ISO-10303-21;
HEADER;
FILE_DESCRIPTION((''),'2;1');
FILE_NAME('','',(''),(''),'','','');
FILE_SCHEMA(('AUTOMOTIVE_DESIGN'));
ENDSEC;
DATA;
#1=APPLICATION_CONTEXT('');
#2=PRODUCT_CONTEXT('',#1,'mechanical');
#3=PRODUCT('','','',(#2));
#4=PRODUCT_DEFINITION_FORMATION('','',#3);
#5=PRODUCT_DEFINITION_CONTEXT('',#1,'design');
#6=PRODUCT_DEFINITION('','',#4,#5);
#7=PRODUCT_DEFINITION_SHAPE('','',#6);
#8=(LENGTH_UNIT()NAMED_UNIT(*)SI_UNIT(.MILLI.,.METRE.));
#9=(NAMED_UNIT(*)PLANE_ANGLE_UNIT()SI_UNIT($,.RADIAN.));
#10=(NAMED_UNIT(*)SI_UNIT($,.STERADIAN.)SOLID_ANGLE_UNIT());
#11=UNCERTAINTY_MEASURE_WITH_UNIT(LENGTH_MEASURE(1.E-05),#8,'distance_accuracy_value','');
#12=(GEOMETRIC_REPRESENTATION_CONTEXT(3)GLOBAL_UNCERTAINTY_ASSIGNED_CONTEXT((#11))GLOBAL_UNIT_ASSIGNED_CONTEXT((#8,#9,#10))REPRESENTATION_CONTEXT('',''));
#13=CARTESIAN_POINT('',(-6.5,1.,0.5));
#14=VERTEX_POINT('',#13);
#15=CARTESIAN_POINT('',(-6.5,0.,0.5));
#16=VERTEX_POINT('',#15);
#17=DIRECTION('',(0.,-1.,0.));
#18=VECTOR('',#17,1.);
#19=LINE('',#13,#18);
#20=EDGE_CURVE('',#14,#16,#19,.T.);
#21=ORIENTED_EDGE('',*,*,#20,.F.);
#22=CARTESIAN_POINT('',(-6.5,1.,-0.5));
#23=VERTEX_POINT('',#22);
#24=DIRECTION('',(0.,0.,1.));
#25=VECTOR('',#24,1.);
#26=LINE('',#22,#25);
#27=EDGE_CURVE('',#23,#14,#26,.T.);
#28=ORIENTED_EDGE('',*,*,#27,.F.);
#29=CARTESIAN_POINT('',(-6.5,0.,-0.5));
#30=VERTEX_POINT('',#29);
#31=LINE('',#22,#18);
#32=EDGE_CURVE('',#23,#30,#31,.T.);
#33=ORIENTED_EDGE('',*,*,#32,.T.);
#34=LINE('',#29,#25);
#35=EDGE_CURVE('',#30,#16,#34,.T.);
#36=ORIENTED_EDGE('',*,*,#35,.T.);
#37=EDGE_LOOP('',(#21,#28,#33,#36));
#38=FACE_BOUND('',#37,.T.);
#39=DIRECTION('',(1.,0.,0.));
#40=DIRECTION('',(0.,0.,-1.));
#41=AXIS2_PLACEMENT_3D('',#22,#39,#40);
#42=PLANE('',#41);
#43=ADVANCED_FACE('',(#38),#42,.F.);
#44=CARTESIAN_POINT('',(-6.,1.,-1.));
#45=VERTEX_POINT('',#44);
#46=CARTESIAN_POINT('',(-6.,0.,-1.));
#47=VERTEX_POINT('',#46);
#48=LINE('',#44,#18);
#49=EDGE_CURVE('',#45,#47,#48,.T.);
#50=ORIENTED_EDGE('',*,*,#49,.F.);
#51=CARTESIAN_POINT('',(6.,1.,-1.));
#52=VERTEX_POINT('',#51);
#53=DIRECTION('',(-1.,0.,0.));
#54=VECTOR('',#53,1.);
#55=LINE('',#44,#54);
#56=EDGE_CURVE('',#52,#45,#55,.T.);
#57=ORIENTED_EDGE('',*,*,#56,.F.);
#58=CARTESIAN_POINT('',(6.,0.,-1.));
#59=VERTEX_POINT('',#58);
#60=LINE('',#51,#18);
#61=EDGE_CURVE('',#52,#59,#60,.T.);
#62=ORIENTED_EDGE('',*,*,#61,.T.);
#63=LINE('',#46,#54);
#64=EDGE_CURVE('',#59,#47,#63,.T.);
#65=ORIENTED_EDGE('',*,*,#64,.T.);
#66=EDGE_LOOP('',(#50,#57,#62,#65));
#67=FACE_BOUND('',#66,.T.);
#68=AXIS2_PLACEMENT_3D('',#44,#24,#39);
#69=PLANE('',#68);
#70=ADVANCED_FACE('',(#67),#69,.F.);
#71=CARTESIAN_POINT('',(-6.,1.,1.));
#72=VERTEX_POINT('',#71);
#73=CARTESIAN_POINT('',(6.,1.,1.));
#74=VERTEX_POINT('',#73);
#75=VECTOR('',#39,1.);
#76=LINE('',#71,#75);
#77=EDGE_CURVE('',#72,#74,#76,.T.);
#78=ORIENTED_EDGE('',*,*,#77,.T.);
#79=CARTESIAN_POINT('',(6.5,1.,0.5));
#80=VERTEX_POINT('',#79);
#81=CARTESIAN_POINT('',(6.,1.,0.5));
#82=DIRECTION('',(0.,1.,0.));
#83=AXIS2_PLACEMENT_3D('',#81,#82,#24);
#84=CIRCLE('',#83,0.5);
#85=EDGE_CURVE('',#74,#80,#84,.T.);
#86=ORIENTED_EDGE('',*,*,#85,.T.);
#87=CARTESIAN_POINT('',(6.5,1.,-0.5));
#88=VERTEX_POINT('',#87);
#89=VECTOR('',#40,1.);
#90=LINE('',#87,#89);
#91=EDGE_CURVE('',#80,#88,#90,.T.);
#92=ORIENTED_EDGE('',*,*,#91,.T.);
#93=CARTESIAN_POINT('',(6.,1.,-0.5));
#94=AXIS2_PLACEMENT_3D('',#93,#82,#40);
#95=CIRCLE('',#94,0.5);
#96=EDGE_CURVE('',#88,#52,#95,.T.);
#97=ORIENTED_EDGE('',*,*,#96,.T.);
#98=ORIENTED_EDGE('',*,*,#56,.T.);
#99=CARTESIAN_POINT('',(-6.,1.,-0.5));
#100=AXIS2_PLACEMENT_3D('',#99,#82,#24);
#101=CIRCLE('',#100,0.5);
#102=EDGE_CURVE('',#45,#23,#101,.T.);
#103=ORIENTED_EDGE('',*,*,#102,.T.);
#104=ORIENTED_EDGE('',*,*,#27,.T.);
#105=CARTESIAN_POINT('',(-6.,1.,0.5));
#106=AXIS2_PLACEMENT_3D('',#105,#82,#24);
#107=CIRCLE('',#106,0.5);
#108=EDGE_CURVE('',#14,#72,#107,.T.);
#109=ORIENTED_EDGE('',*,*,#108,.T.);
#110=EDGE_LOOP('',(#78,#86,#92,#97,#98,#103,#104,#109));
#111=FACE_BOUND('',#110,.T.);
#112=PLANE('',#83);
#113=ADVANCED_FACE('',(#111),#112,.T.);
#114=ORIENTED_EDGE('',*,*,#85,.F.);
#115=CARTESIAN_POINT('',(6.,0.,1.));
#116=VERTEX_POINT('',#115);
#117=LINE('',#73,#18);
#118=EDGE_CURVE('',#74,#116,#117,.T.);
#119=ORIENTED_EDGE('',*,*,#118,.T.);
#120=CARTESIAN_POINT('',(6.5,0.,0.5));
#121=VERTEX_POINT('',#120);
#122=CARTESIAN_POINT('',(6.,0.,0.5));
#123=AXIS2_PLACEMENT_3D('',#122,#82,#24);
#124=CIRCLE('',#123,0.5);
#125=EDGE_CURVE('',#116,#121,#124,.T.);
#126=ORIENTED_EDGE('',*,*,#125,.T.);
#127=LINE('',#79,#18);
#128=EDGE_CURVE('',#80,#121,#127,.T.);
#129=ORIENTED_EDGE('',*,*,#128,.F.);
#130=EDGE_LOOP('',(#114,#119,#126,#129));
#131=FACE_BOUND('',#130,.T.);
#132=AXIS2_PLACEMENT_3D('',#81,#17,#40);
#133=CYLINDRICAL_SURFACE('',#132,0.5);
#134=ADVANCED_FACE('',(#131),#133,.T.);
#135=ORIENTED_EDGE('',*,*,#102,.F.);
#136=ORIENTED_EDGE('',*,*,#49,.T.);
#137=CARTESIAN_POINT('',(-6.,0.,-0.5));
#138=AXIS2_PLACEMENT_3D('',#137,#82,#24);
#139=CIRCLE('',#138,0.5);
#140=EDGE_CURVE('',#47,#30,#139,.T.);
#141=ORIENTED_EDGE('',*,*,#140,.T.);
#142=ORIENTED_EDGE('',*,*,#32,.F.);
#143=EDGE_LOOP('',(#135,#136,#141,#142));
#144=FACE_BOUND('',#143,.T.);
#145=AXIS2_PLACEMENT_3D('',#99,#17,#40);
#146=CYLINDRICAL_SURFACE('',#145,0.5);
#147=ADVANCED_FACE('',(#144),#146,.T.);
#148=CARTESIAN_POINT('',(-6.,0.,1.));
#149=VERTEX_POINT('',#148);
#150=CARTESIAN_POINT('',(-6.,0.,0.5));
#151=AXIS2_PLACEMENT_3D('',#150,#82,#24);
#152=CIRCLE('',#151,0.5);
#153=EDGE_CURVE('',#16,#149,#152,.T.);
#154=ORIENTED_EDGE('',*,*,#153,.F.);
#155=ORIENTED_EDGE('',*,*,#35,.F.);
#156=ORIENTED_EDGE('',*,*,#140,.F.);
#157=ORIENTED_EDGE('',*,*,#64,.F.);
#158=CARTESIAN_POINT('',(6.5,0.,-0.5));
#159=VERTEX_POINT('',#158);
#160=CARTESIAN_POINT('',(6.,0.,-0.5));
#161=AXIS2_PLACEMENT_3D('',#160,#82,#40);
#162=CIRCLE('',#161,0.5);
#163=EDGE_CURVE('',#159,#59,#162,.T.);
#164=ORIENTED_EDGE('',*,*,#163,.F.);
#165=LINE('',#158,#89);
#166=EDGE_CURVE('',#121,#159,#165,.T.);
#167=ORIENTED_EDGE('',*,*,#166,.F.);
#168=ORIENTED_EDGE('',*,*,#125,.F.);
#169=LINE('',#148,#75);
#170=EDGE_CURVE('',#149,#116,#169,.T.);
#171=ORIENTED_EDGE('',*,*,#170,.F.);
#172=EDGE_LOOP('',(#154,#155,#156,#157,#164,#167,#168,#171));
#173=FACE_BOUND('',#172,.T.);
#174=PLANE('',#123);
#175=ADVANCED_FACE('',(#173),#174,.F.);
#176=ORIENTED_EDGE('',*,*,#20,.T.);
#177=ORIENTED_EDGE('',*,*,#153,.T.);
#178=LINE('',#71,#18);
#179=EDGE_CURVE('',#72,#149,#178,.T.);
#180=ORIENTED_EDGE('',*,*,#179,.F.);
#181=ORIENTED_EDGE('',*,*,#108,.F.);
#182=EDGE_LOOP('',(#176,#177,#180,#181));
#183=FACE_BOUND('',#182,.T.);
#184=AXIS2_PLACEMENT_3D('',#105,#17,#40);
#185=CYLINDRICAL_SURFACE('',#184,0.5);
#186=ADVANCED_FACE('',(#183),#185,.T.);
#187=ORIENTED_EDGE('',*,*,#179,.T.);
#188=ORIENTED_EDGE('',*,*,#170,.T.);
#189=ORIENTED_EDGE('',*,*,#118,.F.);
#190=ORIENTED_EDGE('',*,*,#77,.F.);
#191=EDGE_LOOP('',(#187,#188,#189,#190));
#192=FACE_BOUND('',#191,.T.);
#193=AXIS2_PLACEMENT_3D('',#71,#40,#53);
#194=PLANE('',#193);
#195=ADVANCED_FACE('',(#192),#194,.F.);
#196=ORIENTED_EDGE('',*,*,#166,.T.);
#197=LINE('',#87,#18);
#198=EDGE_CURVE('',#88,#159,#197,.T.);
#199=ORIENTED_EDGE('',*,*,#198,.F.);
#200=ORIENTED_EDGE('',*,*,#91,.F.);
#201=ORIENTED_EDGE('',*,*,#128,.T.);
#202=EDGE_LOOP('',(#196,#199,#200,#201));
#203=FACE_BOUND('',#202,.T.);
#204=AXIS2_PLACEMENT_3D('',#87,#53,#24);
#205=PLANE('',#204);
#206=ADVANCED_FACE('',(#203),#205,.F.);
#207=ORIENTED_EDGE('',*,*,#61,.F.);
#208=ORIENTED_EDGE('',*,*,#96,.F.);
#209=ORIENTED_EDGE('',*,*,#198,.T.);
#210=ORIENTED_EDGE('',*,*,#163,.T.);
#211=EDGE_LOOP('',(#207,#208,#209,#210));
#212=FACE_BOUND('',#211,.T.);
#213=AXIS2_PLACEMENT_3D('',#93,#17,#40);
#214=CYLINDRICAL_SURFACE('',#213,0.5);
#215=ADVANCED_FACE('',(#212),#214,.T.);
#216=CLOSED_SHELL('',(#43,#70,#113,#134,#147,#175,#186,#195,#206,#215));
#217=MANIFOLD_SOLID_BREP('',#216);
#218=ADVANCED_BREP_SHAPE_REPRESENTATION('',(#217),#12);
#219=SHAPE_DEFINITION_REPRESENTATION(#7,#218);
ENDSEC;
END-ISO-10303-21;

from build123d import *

# Parameters (mm, degrees)
BOSS_EXTRUDE1_DEPTH = 1


with BuildPart() as part:
    # Sketch2 → Boss-Extrude1 (new body)
    with BuildSketch(Plane(origin=(0, 0, 0), x_dir=(1, 0, 0), z_dir=(0, 1, 0))):
        with BuildLine():
            Line((-6, 1), (6, 1))
            ThreePointArc((6, 1), (6.353553391, 0.853553391), (6.5, 0.5))
            Line((6.5, 0.5), (6.5, -0.5))
            ThreePointArc((6.5, -0.5), (6.353553391, -0.853553391), (6, -1))
            Line((6, -1), (-6, -1))
            ThreePointArc((-6, -1), (-6.353553391, -0.853553391), (-6.5, -0.5))
            Line((-6.5, -0.5), (-6.5, 0.5))
            ThreePointArc((-6.5, 0.5), (-6.353553391, 0.853553391), (-6, 1))
        make_face()
    extrude(amount=BOSS_EXTRUDE1_DEPTH)


solid = part.part
